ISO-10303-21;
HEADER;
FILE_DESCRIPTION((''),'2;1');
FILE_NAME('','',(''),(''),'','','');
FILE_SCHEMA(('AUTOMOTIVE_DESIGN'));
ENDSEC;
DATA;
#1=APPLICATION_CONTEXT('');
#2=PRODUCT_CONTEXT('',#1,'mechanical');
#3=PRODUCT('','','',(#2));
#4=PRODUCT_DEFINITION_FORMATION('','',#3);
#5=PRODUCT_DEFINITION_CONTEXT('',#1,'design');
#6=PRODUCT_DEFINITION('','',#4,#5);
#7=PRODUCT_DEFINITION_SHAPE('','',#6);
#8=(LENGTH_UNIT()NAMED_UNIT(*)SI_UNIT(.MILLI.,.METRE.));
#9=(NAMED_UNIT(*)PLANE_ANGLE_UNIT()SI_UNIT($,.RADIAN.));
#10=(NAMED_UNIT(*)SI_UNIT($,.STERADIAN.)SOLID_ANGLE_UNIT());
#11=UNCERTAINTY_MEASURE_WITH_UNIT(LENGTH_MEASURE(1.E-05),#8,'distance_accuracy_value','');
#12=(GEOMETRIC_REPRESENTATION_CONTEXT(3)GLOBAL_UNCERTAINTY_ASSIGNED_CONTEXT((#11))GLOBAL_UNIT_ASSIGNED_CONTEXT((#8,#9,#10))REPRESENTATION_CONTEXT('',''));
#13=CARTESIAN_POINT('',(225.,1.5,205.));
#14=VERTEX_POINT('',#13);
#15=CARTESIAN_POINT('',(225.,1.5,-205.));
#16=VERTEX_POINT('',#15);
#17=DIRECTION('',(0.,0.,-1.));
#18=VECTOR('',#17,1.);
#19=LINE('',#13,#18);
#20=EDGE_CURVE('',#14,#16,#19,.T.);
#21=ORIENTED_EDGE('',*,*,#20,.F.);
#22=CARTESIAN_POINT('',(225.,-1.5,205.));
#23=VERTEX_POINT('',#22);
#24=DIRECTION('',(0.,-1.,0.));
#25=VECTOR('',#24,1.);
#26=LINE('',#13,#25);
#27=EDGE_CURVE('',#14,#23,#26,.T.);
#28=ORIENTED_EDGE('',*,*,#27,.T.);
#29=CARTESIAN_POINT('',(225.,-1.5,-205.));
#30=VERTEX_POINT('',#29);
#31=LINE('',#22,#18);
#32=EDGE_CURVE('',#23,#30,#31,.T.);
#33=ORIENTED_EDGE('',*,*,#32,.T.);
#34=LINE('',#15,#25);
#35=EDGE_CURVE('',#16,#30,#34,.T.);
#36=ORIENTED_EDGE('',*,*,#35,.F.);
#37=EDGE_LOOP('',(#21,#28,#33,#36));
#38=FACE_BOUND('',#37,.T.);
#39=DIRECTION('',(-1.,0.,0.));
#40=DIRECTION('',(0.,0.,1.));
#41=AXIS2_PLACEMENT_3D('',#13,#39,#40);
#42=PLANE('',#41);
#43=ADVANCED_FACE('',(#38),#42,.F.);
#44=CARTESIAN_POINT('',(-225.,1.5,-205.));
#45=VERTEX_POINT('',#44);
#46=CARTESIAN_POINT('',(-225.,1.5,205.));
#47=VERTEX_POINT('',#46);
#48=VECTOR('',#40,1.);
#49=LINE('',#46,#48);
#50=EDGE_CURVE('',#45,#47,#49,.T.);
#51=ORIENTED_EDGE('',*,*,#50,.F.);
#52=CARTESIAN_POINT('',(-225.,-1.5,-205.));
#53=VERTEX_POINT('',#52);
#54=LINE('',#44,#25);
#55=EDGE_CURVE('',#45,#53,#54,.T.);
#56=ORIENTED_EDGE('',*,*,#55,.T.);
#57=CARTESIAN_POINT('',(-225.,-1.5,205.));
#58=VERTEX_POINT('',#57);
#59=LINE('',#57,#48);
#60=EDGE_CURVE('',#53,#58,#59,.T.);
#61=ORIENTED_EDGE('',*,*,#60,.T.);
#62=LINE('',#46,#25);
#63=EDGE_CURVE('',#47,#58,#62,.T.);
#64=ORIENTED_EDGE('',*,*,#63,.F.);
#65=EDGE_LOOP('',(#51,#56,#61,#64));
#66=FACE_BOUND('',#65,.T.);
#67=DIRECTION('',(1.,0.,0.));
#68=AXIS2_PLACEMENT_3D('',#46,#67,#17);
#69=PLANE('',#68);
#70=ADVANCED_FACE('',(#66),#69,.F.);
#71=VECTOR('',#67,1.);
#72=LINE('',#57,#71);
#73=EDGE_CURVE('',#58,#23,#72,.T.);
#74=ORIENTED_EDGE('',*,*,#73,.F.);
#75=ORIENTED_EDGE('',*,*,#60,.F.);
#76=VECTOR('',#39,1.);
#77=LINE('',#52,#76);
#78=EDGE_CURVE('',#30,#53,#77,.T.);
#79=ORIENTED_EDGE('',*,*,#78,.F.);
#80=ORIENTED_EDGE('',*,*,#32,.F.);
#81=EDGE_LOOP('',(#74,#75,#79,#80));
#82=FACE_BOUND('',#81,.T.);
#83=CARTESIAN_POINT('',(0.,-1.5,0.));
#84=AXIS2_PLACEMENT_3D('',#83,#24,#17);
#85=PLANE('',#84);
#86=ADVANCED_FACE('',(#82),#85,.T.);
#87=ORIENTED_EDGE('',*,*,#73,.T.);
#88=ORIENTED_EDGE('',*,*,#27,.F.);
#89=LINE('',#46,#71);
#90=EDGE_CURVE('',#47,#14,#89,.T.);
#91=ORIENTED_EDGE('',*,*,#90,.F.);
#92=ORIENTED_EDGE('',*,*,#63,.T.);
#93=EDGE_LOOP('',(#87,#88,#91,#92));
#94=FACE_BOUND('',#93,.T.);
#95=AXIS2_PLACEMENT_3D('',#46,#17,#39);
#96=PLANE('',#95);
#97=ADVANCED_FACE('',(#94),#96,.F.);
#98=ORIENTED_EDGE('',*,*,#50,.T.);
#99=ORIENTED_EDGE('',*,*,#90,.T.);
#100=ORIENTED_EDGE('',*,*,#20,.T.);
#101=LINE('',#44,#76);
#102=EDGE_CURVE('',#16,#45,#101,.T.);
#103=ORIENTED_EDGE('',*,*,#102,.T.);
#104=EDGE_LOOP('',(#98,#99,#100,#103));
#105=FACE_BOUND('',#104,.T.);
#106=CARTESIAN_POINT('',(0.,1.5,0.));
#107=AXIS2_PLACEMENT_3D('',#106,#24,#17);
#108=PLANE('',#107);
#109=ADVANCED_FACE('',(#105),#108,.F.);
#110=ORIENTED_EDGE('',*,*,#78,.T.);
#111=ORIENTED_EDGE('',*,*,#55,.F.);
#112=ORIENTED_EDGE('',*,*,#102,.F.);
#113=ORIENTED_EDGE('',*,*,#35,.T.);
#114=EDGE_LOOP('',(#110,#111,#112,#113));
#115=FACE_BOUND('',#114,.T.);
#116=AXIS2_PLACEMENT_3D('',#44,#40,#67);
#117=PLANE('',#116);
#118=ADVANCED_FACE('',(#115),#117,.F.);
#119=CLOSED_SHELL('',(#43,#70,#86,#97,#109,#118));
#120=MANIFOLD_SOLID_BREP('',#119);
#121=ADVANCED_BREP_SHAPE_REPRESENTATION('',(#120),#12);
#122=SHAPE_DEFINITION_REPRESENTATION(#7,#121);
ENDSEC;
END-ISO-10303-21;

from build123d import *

# Parameters (mm, degrees)
SKETCH1_W           = 450
SKETCH1_H           = 410
BOSS_EXTRUDE1_DEPTH = 1.5


with BuildPart() as part:
    # Sketch1 → Boss-Extrude1 (new body, symmetric)
    with BuildSketch(Plane(origin=(0, 0, 0), x_dir=(1, 0, 0), z_dir=(0, 1, 0))):
        Rectangle(SKETCH1_W, SKETCH1_H)
    extrude(amount=BOSS_EXTRUDE1_DEPTH, both=True)


solid = part.part
